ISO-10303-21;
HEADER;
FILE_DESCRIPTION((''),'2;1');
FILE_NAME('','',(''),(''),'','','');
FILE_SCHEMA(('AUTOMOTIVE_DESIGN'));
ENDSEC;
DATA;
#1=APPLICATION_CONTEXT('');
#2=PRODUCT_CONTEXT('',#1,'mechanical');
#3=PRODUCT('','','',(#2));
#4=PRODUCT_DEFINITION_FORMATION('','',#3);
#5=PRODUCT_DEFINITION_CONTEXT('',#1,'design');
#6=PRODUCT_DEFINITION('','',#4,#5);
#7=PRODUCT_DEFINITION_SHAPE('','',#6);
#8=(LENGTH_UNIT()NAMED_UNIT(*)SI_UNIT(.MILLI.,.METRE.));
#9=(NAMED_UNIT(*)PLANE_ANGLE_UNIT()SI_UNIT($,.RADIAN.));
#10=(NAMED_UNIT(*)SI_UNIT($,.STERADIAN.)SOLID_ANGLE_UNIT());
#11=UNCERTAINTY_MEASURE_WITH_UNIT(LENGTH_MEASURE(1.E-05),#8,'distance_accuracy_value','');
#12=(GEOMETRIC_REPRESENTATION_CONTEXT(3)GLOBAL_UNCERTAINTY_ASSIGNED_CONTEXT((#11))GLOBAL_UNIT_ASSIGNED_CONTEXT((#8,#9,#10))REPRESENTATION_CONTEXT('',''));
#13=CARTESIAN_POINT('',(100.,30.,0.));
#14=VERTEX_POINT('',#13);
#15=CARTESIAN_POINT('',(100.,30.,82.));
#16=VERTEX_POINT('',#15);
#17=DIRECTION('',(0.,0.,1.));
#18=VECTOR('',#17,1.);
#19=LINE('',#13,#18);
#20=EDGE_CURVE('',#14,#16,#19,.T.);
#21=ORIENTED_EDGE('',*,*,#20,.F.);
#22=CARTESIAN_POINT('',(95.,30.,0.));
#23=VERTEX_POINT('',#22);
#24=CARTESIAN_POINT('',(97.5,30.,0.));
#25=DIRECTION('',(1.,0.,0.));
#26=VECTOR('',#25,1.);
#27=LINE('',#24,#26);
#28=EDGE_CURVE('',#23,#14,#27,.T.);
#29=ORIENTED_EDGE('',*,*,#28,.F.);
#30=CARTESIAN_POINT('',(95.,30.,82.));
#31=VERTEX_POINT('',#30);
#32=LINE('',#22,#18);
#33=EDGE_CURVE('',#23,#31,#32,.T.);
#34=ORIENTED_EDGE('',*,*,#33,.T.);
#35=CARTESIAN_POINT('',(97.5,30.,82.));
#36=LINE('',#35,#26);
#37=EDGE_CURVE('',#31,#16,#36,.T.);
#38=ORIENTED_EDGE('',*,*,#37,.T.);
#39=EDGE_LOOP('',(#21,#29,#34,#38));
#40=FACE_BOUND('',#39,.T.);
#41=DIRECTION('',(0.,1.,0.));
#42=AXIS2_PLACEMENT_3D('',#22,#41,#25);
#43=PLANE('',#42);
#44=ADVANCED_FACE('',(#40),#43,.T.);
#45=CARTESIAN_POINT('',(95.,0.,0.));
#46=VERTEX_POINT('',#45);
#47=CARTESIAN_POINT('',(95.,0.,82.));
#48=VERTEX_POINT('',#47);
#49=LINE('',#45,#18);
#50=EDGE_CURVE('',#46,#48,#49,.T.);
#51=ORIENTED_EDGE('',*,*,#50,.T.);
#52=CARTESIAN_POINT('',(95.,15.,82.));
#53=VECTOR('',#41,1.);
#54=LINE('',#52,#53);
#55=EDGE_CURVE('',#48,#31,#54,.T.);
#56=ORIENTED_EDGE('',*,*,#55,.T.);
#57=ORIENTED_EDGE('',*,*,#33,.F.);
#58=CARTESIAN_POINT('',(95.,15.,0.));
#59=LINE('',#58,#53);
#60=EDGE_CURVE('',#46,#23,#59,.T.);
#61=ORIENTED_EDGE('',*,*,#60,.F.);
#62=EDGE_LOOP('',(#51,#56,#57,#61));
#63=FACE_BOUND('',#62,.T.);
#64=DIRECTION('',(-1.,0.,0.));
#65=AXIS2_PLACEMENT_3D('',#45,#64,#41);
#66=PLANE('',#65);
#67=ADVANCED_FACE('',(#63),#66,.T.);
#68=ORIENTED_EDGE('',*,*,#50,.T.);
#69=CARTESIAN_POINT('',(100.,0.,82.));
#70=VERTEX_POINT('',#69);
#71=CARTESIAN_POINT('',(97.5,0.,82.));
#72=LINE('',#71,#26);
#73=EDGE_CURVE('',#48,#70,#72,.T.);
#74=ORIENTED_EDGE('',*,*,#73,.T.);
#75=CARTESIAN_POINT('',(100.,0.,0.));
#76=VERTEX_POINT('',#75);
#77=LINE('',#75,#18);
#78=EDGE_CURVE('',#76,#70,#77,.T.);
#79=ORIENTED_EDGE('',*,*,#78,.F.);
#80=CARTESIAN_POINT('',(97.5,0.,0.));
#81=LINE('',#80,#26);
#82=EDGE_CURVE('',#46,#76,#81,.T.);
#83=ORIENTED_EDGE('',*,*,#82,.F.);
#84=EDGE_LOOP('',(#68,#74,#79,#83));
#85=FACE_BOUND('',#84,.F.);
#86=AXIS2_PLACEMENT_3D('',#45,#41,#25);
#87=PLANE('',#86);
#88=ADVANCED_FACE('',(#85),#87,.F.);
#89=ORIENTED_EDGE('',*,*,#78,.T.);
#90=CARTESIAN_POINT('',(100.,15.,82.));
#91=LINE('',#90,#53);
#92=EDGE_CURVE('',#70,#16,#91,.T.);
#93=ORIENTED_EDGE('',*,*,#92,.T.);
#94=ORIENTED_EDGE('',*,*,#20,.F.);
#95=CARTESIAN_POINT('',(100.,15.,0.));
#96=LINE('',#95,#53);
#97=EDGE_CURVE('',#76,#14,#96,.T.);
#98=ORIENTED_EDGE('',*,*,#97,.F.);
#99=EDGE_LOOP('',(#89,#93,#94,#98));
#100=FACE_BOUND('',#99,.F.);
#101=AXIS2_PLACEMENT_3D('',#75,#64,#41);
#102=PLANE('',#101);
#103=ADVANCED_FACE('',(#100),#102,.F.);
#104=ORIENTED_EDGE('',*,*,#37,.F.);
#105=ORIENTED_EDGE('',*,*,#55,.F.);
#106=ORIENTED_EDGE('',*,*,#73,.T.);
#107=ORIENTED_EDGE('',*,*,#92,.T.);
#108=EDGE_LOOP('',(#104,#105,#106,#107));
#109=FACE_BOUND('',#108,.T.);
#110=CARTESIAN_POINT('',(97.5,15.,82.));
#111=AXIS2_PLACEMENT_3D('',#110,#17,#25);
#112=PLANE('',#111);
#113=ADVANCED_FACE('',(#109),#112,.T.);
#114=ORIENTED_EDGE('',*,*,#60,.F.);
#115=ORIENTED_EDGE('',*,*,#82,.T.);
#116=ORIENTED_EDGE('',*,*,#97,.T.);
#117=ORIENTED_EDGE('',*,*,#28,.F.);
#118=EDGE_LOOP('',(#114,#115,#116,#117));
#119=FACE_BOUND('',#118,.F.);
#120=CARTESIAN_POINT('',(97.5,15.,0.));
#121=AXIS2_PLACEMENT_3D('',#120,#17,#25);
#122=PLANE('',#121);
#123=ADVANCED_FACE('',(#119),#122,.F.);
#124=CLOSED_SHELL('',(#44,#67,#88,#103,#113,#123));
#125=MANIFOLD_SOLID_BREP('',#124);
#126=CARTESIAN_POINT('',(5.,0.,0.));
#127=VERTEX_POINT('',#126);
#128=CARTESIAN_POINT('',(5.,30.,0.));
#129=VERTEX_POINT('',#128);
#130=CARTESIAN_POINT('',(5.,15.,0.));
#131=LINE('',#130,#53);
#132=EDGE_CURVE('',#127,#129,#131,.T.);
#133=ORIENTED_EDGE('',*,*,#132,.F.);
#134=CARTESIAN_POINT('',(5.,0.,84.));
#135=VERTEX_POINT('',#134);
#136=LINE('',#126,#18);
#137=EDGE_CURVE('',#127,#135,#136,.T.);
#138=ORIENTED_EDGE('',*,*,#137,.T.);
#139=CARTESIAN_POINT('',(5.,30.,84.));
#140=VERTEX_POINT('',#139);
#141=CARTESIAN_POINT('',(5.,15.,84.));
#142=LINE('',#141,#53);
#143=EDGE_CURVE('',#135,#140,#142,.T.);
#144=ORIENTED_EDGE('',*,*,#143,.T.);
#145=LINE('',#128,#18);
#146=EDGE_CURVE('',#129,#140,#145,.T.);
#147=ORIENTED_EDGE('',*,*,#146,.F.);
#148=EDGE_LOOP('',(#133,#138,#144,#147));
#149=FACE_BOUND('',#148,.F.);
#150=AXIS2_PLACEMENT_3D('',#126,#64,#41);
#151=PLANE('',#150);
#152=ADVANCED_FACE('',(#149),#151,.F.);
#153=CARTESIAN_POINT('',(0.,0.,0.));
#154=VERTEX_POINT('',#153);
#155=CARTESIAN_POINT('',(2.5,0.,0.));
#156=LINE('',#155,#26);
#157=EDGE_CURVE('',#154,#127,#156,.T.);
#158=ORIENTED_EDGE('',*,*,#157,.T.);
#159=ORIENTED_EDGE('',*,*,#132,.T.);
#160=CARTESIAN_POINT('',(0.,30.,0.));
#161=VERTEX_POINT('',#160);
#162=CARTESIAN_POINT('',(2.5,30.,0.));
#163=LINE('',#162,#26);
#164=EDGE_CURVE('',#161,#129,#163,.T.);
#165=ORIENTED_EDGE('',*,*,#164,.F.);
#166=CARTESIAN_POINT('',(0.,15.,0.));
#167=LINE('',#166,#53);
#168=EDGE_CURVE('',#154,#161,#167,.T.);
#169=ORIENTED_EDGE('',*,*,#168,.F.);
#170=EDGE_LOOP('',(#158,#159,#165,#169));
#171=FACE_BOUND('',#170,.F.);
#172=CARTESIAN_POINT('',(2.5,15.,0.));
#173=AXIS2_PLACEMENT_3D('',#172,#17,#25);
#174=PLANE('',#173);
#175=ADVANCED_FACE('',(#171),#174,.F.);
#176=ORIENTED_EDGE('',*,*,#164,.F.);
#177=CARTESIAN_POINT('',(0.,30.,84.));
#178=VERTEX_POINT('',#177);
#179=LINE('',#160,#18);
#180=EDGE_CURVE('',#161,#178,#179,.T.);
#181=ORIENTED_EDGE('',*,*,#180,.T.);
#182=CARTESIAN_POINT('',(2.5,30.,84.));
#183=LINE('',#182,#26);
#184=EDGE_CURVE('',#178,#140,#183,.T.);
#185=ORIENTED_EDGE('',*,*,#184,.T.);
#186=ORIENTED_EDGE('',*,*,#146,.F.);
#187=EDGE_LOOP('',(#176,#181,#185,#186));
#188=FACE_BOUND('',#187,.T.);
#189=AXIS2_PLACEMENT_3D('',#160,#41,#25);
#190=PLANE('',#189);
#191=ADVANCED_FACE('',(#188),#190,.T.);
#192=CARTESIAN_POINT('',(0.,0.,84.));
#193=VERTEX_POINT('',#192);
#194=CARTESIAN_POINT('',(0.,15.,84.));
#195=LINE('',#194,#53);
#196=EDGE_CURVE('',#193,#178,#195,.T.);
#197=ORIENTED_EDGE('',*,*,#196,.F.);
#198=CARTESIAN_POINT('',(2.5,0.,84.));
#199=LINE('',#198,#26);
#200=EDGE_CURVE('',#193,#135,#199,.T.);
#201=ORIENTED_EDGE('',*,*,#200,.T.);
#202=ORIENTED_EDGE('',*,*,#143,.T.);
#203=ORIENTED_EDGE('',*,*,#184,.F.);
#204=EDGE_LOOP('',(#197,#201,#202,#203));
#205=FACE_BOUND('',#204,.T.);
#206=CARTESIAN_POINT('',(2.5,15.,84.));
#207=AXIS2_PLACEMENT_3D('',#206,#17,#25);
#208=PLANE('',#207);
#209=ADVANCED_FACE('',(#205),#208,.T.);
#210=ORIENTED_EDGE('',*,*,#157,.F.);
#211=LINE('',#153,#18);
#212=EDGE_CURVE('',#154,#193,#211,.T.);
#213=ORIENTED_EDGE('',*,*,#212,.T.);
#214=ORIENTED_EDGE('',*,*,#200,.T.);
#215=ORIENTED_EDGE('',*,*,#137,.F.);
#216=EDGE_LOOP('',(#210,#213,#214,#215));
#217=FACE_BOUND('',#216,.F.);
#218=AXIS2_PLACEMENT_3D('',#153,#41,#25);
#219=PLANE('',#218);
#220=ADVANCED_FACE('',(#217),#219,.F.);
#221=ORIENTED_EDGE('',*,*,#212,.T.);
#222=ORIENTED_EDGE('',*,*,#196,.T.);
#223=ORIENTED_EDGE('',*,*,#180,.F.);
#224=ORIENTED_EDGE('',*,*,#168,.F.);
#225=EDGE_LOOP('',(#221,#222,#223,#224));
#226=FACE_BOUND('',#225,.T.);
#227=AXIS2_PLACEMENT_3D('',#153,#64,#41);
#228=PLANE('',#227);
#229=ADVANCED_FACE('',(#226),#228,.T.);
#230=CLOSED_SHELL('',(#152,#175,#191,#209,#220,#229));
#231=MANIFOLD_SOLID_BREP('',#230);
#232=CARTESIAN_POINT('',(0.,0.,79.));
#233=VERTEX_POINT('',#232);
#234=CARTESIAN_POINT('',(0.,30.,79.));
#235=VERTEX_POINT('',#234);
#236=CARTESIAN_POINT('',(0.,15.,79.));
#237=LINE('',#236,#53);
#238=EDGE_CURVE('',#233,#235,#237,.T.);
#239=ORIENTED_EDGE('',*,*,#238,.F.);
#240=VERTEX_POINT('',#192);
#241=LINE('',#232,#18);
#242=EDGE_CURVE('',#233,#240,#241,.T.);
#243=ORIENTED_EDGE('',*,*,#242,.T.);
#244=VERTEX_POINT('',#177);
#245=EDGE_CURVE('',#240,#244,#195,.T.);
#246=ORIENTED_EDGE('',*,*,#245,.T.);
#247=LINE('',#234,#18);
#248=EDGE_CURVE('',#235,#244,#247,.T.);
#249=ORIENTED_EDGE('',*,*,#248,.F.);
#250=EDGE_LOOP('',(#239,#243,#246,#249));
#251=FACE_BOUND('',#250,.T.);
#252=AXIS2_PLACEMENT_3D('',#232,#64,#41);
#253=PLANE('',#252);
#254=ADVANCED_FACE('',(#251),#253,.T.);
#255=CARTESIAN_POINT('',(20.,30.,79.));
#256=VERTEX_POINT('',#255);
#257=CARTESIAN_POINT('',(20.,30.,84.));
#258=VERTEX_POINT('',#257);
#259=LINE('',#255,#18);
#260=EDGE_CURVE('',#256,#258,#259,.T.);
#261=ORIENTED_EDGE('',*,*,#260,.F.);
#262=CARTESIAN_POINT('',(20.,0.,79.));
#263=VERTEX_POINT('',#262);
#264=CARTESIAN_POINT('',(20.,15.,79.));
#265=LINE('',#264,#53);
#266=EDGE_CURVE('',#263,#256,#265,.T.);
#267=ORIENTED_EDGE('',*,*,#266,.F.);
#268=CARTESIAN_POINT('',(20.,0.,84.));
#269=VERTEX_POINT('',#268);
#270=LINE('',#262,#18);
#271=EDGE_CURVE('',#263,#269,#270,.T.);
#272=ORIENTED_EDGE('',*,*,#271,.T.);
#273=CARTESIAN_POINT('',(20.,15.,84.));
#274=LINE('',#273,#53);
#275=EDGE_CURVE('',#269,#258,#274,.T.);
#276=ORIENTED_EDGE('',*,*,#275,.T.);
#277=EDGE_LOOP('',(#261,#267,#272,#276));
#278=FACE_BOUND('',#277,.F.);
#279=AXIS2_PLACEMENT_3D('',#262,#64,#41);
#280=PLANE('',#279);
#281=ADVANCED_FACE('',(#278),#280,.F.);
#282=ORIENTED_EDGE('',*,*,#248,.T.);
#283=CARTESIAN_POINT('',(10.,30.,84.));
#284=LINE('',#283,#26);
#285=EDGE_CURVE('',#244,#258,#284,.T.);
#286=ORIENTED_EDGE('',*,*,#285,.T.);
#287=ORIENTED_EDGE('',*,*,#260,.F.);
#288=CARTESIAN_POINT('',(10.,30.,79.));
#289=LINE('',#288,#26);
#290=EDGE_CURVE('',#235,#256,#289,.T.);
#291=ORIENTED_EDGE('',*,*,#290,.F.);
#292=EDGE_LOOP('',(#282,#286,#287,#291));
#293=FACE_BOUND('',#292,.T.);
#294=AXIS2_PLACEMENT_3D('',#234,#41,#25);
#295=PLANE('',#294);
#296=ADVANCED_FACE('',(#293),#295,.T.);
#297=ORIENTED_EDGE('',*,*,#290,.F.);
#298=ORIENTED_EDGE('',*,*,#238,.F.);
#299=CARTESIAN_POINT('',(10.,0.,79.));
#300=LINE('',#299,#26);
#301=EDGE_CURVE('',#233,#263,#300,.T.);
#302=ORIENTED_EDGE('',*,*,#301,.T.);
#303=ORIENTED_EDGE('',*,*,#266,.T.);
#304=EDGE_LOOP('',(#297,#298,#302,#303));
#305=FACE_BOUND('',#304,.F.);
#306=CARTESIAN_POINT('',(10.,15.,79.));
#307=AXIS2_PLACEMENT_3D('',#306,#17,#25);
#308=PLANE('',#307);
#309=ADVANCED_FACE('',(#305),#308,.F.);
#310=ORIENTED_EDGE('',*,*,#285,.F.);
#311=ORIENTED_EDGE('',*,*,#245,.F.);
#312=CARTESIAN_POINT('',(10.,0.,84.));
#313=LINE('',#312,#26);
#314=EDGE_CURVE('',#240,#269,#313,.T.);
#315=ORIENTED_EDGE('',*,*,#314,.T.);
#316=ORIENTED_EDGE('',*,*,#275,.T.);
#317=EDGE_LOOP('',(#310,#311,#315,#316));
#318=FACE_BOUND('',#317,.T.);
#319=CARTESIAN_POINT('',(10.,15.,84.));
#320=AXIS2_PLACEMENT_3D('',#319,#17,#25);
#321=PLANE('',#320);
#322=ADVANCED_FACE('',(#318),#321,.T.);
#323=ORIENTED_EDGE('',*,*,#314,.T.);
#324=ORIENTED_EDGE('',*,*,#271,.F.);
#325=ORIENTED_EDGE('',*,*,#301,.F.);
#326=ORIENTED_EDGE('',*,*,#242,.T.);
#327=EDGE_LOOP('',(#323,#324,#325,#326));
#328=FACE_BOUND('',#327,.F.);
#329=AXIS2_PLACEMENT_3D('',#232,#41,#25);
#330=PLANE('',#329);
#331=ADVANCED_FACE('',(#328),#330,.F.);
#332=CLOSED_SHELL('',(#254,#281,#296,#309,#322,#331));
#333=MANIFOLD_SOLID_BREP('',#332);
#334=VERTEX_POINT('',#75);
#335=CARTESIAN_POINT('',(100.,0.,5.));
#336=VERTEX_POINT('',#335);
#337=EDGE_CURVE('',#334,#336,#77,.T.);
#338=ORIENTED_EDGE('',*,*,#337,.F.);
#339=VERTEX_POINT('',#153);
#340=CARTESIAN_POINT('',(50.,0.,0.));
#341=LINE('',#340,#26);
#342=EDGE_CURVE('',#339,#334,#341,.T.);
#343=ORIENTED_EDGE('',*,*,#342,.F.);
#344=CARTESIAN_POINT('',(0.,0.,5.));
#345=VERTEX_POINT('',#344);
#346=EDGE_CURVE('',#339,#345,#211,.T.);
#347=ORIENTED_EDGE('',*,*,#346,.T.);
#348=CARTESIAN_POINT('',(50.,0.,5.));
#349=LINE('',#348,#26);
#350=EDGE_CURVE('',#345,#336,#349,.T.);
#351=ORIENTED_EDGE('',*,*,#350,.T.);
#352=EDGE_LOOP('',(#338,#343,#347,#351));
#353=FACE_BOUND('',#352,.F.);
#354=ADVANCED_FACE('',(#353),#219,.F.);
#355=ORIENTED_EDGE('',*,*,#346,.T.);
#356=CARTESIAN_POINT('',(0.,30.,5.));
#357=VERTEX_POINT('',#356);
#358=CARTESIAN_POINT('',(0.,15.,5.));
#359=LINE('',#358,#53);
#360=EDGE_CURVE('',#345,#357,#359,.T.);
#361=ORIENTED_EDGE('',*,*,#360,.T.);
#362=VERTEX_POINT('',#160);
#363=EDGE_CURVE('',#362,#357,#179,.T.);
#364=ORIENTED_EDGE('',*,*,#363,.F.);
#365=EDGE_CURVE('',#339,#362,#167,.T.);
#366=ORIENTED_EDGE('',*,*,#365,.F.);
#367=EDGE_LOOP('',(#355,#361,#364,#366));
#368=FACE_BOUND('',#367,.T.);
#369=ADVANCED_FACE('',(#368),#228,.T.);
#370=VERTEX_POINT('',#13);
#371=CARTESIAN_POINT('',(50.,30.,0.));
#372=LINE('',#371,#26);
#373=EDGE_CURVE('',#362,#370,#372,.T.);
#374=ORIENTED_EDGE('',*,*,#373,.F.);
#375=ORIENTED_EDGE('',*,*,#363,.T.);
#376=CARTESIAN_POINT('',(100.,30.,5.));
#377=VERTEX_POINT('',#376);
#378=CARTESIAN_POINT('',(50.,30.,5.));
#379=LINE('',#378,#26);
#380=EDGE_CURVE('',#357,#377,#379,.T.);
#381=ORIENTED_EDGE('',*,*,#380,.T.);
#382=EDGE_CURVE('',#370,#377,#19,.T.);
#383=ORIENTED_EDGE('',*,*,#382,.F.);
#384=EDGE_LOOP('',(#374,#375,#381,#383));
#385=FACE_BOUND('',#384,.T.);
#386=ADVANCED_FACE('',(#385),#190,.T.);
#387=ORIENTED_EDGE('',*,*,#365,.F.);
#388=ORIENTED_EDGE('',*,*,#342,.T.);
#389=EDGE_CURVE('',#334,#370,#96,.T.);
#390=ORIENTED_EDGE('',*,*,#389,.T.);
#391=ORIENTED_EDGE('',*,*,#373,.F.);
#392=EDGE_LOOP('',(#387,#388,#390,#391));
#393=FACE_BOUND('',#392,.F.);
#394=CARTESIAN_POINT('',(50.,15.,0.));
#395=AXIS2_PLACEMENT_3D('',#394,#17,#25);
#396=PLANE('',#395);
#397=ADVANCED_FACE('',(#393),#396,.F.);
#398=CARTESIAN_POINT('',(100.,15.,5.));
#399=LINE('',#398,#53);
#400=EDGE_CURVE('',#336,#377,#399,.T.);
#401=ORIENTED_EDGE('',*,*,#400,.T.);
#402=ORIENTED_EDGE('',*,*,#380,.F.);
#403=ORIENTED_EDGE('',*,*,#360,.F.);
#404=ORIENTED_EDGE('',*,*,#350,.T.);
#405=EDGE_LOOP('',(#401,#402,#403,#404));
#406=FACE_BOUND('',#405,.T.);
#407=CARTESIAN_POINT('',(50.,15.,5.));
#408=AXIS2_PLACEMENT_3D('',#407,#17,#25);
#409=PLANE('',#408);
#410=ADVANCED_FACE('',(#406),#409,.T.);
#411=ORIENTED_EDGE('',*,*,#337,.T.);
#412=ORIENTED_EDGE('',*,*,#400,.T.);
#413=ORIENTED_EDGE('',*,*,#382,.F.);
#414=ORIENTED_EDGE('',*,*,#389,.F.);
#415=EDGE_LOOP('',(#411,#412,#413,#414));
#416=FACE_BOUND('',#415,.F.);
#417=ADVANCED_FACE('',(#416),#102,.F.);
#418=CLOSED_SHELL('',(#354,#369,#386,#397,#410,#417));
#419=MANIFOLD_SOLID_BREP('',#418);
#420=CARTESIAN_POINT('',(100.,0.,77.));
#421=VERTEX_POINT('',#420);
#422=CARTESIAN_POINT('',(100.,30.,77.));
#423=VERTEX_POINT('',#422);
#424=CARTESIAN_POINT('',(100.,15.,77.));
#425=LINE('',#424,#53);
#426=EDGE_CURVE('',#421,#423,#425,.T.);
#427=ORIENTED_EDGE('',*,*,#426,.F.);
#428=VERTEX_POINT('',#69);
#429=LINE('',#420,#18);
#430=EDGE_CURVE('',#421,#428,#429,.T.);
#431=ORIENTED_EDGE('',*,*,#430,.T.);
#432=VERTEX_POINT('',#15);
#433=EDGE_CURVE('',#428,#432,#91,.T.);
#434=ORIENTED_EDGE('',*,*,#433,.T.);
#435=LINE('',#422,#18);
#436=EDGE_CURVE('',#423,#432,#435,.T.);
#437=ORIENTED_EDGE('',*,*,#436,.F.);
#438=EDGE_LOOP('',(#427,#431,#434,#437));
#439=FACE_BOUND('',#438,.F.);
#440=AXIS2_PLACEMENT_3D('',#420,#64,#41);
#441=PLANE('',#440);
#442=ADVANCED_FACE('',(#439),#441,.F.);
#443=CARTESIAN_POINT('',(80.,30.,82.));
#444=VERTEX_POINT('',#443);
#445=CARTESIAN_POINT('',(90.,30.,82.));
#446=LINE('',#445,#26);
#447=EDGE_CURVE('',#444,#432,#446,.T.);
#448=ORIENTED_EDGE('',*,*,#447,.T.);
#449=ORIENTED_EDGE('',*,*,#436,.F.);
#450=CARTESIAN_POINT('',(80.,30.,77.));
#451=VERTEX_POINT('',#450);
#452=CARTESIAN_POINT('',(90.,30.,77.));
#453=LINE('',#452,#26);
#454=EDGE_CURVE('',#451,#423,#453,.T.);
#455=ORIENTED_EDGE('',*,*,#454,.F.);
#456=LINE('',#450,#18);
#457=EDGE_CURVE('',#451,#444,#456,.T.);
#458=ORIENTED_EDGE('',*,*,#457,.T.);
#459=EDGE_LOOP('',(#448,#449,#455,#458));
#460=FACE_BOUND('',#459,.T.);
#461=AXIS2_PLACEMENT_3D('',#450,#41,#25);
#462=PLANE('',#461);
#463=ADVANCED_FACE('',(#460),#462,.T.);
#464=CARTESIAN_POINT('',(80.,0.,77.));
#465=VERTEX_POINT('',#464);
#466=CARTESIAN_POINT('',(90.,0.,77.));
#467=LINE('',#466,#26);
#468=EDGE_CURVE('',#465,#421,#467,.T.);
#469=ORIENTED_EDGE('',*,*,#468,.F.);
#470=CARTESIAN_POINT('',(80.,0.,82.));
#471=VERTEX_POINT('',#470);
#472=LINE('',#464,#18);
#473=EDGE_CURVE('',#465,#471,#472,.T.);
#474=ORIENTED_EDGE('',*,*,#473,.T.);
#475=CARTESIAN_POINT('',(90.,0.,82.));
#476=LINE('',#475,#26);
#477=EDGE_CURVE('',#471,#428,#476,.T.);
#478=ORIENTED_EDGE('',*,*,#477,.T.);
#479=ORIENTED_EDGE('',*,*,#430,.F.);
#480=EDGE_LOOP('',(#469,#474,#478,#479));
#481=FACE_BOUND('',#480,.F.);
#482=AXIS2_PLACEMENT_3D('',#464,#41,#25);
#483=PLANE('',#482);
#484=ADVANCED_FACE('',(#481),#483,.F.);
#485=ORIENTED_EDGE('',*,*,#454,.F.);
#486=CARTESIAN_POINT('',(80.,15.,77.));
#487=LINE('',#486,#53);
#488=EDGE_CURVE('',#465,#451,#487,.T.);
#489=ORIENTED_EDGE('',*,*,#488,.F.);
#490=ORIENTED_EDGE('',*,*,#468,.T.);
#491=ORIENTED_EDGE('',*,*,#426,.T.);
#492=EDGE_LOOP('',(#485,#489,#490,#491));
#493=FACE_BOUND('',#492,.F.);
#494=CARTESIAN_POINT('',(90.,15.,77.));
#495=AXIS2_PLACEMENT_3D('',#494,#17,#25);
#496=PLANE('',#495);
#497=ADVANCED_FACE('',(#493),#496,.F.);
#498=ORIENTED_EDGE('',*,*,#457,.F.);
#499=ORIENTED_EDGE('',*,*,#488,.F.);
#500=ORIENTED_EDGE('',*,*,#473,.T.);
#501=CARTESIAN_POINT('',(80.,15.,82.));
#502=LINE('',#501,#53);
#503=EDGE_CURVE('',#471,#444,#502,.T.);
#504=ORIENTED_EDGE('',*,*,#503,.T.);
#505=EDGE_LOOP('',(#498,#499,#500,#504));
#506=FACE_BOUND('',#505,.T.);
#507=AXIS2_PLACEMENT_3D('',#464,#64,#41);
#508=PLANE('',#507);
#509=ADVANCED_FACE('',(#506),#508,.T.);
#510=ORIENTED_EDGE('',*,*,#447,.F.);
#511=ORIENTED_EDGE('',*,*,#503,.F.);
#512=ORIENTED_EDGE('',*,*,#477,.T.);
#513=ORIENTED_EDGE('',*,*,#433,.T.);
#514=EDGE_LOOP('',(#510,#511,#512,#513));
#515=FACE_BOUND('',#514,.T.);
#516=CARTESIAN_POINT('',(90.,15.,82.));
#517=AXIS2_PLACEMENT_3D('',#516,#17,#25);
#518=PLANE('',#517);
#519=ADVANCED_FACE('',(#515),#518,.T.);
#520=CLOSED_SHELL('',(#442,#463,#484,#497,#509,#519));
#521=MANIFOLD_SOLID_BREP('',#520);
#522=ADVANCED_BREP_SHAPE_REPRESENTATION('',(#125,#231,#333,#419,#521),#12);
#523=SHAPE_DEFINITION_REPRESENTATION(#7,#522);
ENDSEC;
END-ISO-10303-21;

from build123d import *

# Parameters (mm, degrees)
BOX_W        = 100
BOX_H        = 30
BOX_DEPTH    = 5
BOX001_W     = 5
BOX001_H     = 30
BOX001_DEPTH = 84
BOX002_W     = 5
BOX002_H     = 30
BOX002_DEPTH = 82
BOX003_W     = 20
BOX003_H     = 30
BOX003_DEPTH = 5
BOX004_W     = 20
BOX004_H     = 30
BOX004_DEPTH = 5


with BuildPart() as base:
    # Box → Box (new body)
    with BuildSketch(Plane.XY):
        with Locations((50, 15)):
            Rectangle(BOX_W, BOX_H)
    extrude(amount=BOX_DEPTH)


with BuildPart() as side_reciever:
    # Box001 → Box001 (new body)
    with BuildSketch(Plane.XY):
        with Locations((2.5, 15)):
            Rectangle(BOX001_W, BOX001_H)
    extrude(amount=BOX001_DEPTH)


with BuildPart() as side_laser:
    # Box002 → Box002 (new body)
    with BuildSketch(Plane(origin=(95, 0, 0), x_dir=(1, 0, 0), z_dir=(0, 0, 1))):
        with Locations((2.5, 15)):
            Rectangle(BOX002_W, BOX002_H)
    extrude(amount=BOX002_DEPTH)


with BuildPart() as platform_laser:
    # Box003 → Box003 (new body)
    with BuildSketch(Plane(origin=(80, 0, 77), x_dir=(1, 0, 0), z_dir=(0, 0, 1))):
        with Locations((10, 15)):
            Rectangle(BOX003_W, BOX003_H)
    extrude(amount=BOX003_DEPTH)


with BuildPart() as platform_reciever:
    # Box004 → Box004 (new body)
    with BuildSketch(Plane.XY.offset(79)):
        with Locations((10, 15)):
            Rectangle(BOX004_W, BOX004_H)
    extrude(amount=BOX004_DEPTH)


solid = Compound([base.part, side_reciever.part, side_laser.part, platform_laser.part, platform_reciever.part])
